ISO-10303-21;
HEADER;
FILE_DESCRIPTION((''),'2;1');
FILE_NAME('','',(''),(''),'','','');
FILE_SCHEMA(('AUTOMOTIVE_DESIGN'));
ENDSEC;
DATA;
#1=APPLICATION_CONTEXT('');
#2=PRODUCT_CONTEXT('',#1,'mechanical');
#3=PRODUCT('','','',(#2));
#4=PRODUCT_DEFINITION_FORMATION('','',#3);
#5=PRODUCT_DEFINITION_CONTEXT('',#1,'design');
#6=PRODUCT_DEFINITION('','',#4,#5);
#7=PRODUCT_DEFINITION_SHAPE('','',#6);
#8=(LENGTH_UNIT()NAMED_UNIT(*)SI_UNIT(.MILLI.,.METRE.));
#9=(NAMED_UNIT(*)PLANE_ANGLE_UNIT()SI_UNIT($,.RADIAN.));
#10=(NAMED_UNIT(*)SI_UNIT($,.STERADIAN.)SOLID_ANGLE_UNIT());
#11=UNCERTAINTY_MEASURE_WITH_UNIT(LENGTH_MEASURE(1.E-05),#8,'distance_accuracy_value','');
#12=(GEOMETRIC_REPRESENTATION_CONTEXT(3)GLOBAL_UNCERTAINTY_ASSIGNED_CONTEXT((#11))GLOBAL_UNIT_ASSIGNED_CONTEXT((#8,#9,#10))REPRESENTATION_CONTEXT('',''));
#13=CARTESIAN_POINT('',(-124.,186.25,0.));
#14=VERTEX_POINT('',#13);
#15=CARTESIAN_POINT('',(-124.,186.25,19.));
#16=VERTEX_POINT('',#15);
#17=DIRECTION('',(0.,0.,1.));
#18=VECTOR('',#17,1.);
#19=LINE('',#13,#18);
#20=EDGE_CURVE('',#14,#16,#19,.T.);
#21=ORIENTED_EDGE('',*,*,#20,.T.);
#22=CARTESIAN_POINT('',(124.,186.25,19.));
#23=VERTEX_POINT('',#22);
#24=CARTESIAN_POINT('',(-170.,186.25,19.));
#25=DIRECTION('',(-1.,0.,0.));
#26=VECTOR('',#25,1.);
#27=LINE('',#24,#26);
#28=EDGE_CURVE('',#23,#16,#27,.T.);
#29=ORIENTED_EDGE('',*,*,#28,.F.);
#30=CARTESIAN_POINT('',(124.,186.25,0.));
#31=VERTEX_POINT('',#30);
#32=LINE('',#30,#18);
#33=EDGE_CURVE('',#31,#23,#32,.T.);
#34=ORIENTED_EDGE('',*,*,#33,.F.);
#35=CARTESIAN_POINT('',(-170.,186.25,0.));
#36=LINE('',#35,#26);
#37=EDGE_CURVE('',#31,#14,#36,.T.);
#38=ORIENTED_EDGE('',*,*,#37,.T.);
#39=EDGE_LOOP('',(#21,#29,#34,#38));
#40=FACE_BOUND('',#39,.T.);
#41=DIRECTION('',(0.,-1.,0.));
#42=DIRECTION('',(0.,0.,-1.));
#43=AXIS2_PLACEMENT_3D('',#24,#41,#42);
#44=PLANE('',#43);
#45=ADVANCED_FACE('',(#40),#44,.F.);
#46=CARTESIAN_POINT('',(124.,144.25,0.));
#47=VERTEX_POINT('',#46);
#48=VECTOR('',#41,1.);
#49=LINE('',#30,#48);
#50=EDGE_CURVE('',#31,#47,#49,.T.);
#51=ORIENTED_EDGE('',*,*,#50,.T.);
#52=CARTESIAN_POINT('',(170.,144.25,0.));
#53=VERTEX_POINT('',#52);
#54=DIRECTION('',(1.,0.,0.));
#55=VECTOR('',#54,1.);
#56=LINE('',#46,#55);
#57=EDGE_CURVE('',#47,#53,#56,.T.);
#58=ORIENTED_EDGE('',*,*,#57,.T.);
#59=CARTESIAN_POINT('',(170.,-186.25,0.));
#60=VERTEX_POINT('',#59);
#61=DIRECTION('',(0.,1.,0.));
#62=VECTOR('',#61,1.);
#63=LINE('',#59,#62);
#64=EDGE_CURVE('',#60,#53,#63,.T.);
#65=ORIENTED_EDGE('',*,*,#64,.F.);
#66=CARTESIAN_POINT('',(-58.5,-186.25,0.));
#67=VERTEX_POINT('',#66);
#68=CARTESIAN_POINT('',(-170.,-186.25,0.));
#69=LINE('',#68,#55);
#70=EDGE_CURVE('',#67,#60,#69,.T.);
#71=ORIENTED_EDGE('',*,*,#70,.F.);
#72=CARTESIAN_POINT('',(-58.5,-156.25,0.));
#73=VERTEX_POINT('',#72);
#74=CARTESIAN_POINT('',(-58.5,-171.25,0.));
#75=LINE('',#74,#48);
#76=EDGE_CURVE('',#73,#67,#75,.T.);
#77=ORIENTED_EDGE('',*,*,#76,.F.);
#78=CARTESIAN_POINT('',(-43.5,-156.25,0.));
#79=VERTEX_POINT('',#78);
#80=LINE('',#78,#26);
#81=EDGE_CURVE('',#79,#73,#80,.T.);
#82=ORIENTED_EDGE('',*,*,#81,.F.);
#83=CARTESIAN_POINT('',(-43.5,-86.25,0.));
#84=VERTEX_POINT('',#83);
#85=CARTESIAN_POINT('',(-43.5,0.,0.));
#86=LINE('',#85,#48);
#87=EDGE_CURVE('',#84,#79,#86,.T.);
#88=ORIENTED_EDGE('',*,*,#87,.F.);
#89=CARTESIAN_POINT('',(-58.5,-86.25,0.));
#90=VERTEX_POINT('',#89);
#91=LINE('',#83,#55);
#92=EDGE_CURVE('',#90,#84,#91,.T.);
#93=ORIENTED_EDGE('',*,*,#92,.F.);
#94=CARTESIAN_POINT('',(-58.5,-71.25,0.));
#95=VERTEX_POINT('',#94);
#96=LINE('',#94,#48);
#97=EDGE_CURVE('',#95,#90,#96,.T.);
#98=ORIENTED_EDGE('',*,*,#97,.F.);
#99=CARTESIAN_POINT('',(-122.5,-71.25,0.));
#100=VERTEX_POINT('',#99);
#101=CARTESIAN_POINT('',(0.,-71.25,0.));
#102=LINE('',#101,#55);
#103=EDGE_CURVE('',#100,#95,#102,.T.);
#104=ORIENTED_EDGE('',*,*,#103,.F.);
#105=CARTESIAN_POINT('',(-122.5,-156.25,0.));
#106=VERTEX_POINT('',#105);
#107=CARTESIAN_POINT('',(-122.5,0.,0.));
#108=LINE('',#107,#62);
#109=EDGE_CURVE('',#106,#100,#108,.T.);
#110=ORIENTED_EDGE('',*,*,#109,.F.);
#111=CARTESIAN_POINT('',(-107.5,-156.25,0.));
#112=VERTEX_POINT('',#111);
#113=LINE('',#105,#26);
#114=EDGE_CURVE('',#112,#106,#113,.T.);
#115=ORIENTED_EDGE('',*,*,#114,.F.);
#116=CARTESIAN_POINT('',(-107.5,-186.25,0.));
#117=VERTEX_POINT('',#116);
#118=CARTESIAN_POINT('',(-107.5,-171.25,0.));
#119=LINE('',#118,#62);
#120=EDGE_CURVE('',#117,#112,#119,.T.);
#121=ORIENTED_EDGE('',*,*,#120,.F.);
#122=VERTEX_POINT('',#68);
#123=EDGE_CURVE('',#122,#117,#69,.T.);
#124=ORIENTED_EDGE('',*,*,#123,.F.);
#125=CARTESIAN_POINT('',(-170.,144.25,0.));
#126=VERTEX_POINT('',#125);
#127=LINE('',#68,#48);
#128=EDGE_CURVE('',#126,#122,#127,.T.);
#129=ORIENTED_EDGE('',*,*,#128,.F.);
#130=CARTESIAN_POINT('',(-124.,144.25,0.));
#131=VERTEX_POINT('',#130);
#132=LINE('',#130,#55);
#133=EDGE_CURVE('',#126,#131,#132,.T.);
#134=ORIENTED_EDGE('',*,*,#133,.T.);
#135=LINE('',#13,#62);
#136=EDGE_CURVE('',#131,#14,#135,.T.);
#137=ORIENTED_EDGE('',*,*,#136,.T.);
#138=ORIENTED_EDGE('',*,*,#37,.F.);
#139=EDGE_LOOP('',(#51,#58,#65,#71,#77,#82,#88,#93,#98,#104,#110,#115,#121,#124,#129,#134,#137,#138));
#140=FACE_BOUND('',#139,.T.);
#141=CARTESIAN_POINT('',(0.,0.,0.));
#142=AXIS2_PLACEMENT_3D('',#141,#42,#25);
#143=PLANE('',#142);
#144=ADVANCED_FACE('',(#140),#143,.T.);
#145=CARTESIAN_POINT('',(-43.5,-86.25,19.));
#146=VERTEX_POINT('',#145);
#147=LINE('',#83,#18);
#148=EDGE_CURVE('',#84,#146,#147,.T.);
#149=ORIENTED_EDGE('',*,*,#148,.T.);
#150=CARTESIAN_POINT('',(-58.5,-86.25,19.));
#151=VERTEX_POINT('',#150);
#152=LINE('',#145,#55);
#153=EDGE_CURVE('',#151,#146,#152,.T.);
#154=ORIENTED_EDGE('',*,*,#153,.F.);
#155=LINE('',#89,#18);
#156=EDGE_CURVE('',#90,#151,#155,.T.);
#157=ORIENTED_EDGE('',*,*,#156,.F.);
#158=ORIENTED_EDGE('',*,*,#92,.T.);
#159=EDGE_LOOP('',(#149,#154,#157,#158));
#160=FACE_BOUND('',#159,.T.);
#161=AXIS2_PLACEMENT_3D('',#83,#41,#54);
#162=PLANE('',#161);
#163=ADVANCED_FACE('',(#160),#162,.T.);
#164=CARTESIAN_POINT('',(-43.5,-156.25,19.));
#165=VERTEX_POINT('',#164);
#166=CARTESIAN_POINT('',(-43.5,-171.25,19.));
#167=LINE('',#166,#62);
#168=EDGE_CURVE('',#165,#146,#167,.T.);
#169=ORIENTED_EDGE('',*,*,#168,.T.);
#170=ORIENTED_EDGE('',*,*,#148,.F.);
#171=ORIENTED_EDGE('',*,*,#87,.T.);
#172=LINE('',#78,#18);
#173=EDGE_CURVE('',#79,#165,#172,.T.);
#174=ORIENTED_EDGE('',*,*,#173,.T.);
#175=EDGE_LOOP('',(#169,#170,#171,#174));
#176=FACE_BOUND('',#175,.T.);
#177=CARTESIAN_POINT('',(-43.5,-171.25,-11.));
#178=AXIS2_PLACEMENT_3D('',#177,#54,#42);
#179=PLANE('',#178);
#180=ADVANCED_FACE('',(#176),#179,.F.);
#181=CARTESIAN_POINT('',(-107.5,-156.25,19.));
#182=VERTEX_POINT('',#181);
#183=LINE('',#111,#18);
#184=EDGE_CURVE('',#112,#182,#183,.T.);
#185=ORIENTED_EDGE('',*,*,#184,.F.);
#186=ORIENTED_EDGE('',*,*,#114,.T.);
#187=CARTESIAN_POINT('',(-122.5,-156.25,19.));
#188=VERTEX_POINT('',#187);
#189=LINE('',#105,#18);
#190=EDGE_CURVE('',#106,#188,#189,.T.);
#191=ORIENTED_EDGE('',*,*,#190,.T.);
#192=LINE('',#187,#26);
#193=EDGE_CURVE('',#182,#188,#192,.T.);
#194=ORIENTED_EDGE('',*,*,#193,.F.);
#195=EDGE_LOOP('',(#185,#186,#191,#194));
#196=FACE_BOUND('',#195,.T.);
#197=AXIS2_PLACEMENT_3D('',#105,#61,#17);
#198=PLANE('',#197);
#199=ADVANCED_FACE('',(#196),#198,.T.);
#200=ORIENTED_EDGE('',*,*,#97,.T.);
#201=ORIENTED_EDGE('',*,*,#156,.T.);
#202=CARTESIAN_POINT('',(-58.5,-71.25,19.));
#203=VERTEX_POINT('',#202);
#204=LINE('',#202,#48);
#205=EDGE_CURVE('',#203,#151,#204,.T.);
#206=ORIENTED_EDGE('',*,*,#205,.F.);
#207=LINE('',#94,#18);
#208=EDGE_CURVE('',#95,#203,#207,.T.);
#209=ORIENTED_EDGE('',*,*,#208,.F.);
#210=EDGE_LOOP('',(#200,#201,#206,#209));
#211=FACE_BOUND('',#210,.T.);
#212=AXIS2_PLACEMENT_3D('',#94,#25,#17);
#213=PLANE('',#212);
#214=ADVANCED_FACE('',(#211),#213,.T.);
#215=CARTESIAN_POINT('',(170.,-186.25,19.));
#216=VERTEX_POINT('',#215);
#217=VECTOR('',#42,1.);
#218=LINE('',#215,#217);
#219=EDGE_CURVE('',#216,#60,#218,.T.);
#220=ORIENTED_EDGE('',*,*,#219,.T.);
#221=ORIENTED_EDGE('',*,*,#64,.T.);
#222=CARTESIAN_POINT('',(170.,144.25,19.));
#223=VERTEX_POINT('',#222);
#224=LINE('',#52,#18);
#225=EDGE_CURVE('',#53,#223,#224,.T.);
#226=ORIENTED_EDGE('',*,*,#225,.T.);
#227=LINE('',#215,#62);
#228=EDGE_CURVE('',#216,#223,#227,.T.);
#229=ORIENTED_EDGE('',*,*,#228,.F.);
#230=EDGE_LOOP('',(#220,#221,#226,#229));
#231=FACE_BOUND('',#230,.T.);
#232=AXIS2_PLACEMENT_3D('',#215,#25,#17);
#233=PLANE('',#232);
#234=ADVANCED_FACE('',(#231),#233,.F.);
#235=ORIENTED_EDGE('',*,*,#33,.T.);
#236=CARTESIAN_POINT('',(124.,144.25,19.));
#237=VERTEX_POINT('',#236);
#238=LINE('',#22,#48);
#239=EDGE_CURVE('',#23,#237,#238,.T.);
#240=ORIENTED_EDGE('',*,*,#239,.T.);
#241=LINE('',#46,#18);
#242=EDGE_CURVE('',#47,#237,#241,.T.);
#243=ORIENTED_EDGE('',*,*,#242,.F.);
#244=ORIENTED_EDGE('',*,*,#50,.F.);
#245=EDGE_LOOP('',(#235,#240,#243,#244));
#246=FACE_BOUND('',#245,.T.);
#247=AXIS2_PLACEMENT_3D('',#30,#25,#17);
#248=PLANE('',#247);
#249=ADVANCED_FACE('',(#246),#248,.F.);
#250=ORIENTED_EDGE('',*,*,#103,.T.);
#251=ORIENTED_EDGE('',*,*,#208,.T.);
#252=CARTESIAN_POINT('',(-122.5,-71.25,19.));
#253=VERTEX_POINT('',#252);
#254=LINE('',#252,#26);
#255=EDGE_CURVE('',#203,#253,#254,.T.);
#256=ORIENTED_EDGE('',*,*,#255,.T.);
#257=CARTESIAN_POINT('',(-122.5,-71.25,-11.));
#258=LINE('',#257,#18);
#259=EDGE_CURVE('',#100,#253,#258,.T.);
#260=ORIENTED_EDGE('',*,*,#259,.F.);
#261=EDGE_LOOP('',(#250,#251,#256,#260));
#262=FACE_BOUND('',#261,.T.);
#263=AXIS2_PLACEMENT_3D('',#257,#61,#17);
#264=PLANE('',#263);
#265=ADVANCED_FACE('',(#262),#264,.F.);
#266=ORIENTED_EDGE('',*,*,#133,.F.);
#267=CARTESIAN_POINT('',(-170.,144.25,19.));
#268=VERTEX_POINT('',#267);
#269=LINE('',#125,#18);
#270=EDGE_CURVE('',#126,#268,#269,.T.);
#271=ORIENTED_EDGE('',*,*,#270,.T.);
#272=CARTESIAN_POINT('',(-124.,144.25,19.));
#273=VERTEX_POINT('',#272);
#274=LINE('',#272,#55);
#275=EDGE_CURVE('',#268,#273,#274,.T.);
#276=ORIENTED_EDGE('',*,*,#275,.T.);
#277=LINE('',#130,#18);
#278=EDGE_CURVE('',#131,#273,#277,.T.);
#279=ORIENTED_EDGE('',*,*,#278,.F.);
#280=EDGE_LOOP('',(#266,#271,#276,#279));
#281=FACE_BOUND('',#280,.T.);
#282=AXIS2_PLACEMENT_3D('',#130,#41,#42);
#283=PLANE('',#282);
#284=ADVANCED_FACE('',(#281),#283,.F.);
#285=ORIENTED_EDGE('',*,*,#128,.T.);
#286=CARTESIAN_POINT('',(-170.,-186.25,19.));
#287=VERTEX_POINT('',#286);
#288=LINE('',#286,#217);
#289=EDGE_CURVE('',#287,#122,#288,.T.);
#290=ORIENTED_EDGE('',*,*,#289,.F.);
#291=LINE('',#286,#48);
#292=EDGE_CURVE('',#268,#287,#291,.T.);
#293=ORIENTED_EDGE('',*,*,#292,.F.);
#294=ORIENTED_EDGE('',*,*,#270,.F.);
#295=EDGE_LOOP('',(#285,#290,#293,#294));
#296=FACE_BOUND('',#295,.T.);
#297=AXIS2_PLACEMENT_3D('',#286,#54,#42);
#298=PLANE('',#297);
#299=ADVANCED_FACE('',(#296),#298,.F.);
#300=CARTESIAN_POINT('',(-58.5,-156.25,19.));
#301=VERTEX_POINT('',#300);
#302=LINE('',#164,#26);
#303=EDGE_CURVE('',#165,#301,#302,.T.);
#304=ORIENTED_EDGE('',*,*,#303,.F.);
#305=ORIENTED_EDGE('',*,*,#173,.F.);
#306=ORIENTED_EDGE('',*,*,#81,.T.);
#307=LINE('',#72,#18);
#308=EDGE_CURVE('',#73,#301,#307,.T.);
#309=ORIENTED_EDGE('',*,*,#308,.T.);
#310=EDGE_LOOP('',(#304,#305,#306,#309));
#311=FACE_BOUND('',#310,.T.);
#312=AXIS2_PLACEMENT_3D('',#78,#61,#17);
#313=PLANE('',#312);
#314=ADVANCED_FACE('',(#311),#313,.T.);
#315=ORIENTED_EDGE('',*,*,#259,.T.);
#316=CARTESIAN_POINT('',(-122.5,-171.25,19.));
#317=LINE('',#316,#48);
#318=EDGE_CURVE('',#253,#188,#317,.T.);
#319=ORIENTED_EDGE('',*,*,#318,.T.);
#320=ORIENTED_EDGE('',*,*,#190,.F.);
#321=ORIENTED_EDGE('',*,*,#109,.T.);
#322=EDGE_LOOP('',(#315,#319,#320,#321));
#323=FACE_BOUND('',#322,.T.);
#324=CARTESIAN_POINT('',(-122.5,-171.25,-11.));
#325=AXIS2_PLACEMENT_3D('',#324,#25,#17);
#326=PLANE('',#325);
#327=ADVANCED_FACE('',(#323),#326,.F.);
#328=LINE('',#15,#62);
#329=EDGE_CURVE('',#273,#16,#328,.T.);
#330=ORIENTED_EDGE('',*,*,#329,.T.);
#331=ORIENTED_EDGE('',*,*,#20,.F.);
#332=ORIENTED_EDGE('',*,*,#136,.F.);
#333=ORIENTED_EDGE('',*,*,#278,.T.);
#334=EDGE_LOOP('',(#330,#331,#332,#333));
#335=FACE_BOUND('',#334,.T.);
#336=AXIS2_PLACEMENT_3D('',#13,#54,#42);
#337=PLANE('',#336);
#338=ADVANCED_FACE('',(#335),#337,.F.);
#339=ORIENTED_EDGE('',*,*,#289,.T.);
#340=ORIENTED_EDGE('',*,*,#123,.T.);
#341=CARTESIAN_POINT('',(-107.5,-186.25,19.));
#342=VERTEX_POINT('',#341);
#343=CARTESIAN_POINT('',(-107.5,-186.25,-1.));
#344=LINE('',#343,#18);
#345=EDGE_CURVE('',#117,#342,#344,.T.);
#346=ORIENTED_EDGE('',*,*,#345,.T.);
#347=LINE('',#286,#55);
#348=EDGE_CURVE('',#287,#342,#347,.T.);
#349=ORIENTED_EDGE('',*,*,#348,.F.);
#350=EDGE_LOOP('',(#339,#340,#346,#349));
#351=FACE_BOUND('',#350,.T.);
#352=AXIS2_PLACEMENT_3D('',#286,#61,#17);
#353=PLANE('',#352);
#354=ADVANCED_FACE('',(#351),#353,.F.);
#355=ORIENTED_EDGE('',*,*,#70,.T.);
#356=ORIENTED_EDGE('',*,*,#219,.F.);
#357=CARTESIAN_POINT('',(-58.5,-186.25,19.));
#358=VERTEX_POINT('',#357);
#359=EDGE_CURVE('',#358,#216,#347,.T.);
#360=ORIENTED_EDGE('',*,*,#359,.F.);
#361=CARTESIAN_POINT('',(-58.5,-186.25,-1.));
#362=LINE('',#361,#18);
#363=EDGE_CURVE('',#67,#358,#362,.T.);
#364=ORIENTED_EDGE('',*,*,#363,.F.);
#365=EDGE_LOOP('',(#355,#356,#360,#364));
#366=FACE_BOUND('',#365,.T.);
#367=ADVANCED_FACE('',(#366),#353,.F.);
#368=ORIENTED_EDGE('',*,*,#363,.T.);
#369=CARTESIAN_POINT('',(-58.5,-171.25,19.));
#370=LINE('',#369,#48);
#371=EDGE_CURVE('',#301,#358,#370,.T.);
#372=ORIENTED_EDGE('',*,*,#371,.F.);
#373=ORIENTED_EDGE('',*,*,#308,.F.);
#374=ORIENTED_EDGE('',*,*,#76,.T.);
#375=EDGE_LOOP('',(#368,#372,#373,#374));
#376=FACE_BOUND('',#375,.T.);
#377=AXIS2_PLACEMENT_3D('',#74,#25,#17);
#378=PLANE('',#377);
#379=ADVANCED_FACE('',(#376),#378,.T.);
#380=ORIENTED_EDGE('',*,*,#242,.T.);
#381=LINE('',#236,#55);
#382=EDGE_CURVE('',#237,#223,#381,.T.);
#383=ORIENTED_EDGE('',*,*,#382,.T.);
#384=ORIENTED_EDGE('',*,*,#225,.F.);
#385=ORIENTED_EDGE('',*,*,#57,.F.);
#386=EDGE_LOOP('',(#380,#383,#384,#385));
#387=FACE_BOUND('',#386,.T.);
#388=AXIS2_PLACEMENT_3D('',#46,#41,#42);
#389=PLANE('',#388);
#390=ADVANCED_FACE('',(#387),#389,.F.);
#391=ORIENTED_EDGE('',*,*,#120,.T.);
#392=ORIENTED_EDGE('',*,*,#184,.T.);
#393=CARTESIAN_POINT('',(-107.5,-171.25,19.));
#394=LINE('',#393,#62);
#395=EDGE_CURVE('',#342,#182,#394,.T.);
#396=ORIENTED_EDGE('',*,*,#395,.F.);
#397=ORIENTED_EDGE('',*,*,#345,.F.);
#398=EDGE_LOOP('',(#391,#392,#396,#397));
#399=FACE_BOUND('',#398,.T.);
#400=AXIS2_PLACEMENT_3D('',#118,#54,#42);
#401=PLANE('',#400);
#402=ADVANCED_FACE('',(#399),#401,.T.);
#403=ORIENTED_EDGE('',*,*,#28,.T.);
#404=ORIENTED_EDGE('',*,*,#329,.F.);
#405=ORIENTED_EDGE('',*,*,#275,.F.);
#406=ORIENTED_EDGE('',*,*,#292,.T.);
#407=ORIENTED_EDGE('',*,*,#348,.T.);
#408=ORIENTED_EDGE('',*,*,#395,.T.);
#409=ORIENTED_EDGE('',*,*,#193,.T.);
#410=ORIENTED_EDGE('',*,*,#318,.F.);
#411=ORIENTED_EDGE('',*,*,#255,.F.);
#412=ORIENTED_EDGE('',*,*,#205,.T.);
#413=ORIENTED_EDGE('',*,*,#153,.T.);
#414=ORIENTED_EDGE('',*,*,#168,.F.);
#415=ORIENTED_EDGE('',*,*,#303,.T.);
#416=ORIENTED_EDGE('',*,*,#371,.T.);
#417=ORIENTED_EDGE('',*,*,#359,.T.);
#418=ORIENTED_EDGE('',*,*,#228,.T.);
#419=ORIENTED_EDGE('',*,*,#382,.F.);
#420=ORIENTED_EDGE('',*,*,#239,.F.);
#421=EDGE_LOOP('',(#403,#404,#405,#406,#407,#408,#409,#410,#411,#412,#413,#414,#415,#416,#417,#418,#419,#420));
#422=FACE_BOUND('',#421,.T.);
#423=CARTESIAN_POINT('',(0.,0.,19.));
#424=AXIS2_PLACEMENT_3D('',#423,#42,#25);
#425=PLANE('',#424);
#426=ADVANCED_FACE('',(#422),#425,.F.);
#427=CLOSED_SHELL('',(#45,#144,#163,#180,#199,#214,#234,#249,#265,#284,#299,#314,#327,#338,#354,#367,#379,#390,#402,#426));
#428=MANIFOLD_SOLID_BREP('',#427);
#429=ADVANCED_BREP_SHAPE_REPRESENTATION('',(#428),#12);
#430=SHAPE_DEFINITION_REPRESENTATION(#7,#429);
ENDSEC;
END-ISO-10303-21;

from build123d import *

# Parameters (mm, degrees)
ESQUISSE1_W             = 340
ESQUISSE1_H             = 372.5
BOSS_EXTRU_1_DEPTH      = 19
ESQUISSE2_W             = 46
ESQUISSE2_H             = 42
ENL_V_MAT_EXTRU_1_DEPTH = 253.883495903
ESQUISSE4_W             = 79
ESQUISSE4_H             = 100
ENL_V_MAT_EXTRU_2_DEPTH = 30
ESQUISSE5_W             = 15
ESQUISSE5_H             = 15
BOSS_EXTRU_2_DEPTH      = 19
ESQUISSE6_W             = 49
ESQUISSE6_H             = 15
ENL_V_MAT_EXTRU_3_DEPTH = 20


with BuildPart() as part:
    # Esquisse1 → Boss.-Extru.1 (new body)
    with BuildSketch(Plane.XY):
        Rectangle(ESQUISSE1_W, ESQUISSE1_H)
    extrude(amount=BOSS_EXTRU_1_DEPTH)

    # Esquisse2 → Enlèv. mat.-Extru.1 (cut, through all)
    with BuildSketch(Plane.XY.offset(19)):
        with Locations((-147, 165.25)):
            Rectangle(ESQUISSE2_W, ESQUISSE2_H)
        with Locations((147, 165.25)):
            Rectangle(ESQUISSE2_W, ESQUISSE2_H)
    extrude(amount=-ENL_V_MAT_EXTRU_1_DEPTH, mode=Mode.SUBTRACT)

    # Esquisse4 → Enlèv. mat.-Extru.2 (cut)
    with BuildSketch(Plane.XY.offset(19)):
        with Locations((-83, -121.25)):
            Rectangle(ESQUISSE4_W, ESQUISSE4_H)
    extrude(amount=-ENL_V_MAT_EXTRU_2_DEPTH, mode=Mode.SUBTRACT)

    # Esquisse5 → Boss.-Extru.2 (add)
    with BuildSketch(Plane.XY.offset(19)):
        with Locations((-51, -163.75)):
            Rectangle(ESQUISSE5_W, ESQUISSE5_H)
        with Locations((-115, -163.75)):
            Rectangle(ESQUISSE5_W, ESQUISSE5_H)
        with Locations((-51, -78.75)):
            Rectangle(ESQUISSE5_W, ESQUISSE5_H)
    extrude(amount=-BOSS_EXTRU_2_DEPTH)

    # Esquisse6 → Enlèv. mat.-Extru.3 (cut)
    with BuildSketch(Plane.XY.offset(19)):
        with Locations((-83, -178.75)):
            Rectangle(ESQUISSE6_W, ESQUISSE6_H)
    extrude(amount=-ENL_V_MAT_EXTRU_3_DEPTH, mode=Mode.SUBTRACT)


solid = part.part
